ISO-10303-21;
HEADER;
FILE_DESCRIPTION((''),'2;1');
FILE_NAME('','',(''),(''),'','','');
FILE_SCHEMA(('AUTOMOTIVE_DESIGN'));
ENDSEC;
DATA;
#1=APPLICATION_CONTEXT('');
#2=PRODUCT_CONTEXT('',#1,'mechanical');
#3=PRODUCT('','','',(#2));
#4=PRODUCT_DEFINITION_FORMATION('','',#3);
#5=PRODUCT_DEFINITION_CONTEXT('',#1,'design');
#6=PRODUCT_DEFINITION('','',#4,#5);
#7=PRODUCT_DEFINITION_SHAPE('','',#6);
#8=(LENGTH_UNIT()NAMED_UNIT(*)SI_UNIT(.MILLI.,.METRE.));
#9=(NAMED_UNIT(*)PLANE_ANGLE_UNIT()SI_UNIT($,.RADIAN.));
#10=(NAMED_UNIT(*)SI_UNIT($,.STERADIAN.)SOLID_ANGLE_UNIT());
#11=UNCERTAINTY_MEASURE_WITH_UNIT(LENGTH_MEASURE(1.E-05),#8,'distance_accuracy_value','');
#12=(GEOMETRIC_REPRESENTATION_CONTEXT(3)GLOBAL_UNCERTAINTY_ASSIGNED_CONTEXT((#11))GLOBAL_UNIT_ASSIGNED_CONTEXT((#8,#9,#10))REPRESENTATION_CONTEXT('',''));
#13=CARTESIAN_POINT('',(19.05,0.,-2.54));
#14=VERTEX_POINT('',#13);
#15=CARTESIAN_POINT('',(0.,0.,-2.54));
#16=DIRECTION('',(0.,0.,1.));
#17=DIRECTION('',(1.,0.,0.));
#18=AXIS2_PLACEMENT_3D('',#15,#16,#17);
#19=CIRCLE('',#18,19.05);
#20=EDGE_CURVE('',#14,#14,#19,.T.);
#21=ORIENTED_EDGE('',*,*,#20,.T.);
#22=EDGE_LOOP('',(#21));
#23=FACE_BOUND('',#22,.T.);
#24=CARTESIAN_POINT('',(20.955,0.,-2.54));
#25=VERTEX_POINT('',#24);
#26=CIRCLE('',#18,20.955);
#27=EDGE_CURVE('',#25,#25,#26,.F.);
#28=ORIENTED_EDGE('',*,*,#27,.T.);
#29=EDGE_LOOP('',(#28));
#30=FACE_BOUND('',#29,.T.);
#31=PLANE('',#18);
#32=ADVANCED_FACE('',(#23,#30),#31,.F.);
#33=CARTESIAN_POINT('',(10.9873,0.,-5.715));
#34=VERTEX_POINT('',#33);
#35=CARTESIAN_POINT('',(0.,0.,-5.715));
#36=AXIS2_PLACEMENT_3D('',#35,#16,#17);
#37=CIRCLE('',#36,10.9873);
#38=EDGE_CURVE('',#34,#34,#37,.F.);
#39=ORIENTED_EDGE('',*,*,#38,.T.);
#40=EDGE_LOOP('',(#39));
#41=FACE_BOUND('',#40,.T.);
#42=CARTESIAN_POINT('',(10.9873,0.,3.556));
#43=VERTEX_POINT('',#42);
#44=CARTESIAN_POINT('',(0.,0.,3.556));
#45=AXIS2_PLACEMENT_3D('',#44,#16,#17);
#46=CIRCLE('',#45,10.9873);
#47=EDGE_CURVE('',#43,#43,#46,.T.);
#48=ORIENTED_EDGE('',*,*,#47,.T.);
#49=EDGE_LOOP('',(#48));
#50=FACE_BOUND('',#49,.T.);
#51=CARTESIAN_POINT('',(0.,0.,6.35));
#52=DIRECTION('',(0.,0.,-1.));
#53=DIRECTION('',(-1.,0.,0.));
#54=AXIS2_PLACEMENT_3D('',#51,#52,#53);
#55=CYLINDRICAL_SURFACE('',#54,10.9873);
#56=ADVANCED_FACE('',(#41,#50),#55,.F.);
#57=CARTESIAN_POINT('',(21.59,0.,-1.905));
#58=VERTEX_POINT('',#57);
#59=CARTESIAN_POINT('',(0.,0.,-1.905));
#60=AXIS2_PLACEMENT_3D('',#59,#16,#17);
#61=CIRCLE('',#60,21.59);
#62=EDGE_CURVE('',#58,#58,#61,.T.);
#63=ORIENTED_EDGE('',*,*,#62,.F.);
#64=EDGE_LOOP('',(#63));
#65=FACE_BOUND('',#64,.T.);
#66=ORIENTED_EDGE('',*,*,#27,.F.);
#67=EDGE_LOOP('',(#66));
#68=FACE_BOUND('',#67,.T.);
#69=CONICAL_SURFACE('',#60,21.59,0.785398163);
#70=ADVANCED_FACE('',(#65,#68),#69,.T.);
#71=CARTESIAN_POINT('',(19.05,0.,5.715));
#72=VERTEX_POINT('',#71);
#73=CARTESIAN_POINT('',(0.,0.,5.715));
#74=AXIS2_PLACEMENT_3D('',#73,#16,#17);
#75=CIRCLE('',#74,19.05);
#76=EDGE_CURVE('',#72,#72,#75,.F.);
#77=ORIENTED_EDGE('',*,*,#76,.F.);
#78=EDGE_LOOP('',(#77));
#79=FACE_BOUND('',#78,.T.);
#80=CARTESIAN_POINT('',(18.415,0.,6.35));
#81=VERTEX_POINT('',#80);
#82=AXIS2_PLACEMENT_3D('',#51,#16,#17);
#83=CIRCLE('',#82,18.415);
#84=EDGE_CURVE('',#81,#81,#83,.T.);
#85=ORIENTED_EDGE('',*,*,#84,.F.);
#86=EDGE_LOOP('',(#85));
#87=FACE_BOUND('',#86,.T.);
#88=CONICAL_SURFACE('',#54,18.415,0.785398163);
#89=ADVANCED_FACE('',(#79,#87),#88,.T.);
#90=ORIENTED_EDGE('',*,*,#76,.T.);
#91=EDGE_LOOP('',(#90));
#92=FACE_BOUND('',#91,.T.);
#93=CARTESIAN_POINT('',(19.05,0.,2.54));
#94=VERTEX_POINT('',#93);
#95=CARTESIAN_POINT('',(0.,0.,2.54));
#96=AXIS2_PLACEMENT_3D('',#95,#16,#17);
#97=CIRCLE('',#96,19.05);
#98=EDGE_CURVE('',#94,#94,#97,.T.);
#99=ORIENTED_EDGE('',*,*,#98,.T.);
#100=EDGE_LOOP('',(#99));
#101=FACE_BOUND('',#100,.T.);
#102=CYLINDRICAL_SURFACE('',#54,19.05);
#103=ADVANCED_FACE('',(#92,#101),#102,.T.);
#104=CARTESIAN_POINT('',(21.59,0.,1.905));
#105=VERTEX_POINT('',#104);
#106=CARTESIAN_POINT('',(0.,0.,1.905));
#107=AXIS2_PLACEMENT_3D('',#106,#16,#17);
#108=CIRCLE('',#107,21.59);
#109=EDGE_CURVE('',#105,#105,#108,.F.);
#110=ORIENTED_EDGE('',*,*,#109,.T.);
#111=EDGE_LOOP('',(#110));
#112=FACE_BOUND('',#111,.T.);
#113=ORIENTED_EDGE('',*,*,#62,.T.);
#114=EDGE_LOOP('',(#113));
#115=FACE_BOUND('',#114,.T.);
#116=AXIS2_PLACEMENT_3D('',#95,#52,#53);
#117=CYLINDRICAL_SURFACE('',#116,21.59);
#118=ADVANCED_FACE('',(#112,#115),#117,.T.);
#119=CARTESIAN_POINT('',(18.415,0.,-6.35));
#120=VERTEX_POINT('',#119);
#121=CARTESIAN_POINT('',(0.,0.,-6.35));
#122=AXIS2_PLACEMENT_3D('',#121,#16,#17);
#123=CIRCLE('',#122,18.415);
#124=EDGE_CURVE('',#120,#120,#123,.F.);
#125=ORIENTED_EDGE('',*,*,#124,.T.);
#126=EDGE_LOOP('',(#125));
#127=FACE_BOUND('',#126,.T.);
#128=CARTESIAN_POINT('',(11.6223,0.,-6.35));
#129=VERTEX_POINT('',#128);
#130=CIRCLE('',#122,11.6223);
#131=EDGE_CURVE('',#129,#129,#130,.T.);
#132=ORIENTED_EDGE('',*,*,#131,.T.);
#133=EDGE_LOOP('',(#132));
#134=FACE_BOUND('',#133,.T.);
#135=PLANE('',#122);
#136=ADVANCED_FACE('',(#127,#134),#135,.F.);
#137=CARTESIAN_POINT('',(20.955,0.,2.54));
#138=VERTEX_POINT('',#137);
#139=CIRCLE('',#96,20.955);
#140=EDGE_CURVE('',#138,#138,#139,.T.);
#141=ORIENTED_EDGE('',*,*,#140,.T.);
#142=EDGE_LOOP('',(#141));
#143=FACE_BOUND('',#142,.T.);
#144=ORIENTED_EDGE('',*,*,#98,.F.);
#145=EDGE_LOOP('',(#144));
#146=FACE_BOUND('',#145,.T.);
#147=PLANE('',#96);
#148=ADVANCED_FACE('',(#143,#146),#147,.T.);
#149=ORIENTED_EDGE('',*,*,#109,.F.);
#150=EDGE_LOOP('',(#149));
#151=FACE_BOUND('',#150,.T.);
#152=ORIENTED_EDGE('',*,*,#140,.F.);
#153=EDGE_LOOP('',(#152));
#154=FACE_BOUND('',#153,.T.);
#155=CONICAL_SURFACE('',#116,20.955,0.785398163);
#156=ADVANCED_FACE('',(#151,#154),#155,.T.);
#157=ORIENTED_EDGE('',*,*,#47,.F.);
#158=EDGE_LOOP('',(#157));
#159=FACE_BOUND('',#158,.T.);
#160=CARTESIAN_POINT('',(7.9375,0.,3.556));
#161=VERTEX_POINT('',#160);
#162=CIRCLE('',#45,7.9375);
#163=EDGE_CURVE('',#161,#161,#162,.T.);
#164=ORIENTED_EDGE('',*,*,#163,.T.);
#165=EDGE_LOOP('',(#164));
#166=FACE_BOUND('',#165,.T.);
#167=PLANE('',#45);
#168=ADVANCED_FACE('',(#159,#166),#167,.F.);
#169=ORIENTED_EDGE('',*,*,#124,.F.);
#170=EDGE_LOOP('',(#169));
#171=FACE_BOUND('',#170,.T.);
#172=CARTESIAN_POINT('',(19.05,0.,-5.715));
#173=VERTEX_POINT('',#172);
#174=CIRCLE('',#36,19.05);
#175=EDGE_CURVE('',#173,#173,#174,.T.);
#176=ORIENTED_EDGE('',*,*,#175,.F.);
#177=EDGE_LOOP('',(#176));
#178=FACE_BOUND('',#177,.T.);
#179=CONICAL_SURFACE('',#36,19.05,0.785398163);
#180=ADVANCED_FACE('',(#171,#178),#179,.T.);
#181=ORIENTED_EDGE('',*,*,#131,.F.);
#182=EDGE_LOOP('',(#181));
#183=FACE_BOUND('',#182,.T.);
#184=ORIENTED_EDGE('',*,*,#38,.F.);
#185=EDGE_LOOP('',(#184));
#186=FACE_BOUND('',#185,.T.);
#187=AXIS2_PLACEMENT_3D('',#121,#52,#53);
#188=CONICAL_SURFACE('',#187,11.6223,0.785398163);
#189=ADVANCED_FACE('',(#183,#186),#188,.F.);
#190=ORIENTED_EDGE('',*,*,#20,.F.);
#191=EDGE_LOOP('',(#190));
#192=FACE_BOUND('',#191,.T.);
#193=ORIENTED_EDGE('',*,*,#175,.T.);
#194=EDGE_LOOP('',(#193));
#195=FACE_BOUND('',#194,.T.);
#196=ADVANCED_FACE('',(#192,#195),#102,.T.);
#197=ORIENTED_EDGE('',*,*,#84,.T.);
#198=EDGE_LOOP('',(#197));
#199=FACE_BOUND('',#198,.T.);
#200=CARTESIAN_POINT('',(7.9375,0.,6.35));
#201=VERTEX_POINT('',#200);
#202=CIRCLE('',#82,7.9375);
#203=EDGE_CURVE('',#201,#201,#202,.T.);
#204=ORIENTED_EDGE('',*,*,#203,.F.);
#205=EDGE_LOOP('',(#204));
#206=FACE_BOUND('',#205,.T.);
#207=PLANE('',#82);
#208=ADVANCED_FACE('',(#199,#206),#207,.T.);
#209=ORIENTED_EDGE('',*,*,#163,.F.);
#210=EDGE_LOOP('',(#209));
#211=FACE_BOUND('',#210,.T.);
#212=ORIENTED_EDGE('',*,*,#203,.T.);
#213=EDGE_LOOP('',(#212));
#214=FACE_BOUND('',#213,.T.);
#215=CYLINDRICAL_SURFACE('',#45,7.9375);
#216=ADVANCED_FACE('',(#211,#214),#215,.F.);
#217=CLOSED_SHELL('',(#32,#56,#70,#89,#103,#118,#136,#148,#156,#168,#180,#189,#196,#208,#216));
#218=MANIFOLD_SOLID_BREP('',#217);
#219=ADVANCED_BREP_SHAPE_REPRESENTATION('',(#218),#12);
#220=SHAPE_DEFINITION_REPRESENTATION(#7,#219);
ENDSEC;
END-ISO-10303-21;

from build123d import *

# Parameters (mm, degrees)
SKETCH1_R           = 19.05
SKETCH1_R_2         = 10.9873
BOSS_EXTRUDE1_DEPTH = 6.35
SKETCH2_R           = 21.59
SKETCH2_R_2         = 10.9873
BOSS_EXTRUDE2_DEPTH = 2.54
SKETCH3_R           = 10.9873
SKETCH3_R_2         = 7.9375
BOSS_EXTRUDE3_DEPTH = 2.794
CHAMFER1_SIZE       = 0.635
CHAMFER2_SIZE       = 0.635


with BuildPart() as part:
    # Sketch1 → Boss-Extrude1 (new body, symmetric)
    with BuildSketch(Plane.XY):
        Circle(SKETCH1_R)
        Circle(SKETCH1_R_2, mode=Mode.SUBTRACT)
    extrude(amount=BOSS_EXTRUDE1_DEPTH, both=True)

    # Sketch2 → Boss-Extrude2 (add, symmetric)
    with BuildSketch(Plane.XY):
        Circle(SKETCH2_R)
        Circle(SKETCH2_R_2, mode=Mode.SUBTRACT)
    extrude(amount=BOSS_EXTRUDE2_DEPTH, both=True)

    # Sketch3 → Boss-Extrude3 (add)
    with BuildSketch(Plane.XY.offset(6.35)):
        Circle(SKETCH3_R)
        Circle(SKETCH3_R_2, mode=Mode.SUBTRACT)
    extrude(amount=-BOSS_EXTRUDE3_DEPTH)

    # Chamfer1
    chamfer1_edges = [part.edges().sort_by_distance(p)[0] for p in [
        (-21.59, 0, 2.54),
        (-21.59, 0, -2.54),
        (-19.05, 0, -6.35),
        (-19.05, 0, 6.35),
    ]]
    chamfer(chamfer1_edges, length=CHAMFER1_SIZE)

    # Chamfer2
    chamfer2_edges = [part.edges().sort_by_distance(p)[0] for p in [
        (-10.9873, 0, -6.35),
    ]]
    chamfer(chamfer2_edges, length=CHAMFER2_SIZE)


solid = part.part
